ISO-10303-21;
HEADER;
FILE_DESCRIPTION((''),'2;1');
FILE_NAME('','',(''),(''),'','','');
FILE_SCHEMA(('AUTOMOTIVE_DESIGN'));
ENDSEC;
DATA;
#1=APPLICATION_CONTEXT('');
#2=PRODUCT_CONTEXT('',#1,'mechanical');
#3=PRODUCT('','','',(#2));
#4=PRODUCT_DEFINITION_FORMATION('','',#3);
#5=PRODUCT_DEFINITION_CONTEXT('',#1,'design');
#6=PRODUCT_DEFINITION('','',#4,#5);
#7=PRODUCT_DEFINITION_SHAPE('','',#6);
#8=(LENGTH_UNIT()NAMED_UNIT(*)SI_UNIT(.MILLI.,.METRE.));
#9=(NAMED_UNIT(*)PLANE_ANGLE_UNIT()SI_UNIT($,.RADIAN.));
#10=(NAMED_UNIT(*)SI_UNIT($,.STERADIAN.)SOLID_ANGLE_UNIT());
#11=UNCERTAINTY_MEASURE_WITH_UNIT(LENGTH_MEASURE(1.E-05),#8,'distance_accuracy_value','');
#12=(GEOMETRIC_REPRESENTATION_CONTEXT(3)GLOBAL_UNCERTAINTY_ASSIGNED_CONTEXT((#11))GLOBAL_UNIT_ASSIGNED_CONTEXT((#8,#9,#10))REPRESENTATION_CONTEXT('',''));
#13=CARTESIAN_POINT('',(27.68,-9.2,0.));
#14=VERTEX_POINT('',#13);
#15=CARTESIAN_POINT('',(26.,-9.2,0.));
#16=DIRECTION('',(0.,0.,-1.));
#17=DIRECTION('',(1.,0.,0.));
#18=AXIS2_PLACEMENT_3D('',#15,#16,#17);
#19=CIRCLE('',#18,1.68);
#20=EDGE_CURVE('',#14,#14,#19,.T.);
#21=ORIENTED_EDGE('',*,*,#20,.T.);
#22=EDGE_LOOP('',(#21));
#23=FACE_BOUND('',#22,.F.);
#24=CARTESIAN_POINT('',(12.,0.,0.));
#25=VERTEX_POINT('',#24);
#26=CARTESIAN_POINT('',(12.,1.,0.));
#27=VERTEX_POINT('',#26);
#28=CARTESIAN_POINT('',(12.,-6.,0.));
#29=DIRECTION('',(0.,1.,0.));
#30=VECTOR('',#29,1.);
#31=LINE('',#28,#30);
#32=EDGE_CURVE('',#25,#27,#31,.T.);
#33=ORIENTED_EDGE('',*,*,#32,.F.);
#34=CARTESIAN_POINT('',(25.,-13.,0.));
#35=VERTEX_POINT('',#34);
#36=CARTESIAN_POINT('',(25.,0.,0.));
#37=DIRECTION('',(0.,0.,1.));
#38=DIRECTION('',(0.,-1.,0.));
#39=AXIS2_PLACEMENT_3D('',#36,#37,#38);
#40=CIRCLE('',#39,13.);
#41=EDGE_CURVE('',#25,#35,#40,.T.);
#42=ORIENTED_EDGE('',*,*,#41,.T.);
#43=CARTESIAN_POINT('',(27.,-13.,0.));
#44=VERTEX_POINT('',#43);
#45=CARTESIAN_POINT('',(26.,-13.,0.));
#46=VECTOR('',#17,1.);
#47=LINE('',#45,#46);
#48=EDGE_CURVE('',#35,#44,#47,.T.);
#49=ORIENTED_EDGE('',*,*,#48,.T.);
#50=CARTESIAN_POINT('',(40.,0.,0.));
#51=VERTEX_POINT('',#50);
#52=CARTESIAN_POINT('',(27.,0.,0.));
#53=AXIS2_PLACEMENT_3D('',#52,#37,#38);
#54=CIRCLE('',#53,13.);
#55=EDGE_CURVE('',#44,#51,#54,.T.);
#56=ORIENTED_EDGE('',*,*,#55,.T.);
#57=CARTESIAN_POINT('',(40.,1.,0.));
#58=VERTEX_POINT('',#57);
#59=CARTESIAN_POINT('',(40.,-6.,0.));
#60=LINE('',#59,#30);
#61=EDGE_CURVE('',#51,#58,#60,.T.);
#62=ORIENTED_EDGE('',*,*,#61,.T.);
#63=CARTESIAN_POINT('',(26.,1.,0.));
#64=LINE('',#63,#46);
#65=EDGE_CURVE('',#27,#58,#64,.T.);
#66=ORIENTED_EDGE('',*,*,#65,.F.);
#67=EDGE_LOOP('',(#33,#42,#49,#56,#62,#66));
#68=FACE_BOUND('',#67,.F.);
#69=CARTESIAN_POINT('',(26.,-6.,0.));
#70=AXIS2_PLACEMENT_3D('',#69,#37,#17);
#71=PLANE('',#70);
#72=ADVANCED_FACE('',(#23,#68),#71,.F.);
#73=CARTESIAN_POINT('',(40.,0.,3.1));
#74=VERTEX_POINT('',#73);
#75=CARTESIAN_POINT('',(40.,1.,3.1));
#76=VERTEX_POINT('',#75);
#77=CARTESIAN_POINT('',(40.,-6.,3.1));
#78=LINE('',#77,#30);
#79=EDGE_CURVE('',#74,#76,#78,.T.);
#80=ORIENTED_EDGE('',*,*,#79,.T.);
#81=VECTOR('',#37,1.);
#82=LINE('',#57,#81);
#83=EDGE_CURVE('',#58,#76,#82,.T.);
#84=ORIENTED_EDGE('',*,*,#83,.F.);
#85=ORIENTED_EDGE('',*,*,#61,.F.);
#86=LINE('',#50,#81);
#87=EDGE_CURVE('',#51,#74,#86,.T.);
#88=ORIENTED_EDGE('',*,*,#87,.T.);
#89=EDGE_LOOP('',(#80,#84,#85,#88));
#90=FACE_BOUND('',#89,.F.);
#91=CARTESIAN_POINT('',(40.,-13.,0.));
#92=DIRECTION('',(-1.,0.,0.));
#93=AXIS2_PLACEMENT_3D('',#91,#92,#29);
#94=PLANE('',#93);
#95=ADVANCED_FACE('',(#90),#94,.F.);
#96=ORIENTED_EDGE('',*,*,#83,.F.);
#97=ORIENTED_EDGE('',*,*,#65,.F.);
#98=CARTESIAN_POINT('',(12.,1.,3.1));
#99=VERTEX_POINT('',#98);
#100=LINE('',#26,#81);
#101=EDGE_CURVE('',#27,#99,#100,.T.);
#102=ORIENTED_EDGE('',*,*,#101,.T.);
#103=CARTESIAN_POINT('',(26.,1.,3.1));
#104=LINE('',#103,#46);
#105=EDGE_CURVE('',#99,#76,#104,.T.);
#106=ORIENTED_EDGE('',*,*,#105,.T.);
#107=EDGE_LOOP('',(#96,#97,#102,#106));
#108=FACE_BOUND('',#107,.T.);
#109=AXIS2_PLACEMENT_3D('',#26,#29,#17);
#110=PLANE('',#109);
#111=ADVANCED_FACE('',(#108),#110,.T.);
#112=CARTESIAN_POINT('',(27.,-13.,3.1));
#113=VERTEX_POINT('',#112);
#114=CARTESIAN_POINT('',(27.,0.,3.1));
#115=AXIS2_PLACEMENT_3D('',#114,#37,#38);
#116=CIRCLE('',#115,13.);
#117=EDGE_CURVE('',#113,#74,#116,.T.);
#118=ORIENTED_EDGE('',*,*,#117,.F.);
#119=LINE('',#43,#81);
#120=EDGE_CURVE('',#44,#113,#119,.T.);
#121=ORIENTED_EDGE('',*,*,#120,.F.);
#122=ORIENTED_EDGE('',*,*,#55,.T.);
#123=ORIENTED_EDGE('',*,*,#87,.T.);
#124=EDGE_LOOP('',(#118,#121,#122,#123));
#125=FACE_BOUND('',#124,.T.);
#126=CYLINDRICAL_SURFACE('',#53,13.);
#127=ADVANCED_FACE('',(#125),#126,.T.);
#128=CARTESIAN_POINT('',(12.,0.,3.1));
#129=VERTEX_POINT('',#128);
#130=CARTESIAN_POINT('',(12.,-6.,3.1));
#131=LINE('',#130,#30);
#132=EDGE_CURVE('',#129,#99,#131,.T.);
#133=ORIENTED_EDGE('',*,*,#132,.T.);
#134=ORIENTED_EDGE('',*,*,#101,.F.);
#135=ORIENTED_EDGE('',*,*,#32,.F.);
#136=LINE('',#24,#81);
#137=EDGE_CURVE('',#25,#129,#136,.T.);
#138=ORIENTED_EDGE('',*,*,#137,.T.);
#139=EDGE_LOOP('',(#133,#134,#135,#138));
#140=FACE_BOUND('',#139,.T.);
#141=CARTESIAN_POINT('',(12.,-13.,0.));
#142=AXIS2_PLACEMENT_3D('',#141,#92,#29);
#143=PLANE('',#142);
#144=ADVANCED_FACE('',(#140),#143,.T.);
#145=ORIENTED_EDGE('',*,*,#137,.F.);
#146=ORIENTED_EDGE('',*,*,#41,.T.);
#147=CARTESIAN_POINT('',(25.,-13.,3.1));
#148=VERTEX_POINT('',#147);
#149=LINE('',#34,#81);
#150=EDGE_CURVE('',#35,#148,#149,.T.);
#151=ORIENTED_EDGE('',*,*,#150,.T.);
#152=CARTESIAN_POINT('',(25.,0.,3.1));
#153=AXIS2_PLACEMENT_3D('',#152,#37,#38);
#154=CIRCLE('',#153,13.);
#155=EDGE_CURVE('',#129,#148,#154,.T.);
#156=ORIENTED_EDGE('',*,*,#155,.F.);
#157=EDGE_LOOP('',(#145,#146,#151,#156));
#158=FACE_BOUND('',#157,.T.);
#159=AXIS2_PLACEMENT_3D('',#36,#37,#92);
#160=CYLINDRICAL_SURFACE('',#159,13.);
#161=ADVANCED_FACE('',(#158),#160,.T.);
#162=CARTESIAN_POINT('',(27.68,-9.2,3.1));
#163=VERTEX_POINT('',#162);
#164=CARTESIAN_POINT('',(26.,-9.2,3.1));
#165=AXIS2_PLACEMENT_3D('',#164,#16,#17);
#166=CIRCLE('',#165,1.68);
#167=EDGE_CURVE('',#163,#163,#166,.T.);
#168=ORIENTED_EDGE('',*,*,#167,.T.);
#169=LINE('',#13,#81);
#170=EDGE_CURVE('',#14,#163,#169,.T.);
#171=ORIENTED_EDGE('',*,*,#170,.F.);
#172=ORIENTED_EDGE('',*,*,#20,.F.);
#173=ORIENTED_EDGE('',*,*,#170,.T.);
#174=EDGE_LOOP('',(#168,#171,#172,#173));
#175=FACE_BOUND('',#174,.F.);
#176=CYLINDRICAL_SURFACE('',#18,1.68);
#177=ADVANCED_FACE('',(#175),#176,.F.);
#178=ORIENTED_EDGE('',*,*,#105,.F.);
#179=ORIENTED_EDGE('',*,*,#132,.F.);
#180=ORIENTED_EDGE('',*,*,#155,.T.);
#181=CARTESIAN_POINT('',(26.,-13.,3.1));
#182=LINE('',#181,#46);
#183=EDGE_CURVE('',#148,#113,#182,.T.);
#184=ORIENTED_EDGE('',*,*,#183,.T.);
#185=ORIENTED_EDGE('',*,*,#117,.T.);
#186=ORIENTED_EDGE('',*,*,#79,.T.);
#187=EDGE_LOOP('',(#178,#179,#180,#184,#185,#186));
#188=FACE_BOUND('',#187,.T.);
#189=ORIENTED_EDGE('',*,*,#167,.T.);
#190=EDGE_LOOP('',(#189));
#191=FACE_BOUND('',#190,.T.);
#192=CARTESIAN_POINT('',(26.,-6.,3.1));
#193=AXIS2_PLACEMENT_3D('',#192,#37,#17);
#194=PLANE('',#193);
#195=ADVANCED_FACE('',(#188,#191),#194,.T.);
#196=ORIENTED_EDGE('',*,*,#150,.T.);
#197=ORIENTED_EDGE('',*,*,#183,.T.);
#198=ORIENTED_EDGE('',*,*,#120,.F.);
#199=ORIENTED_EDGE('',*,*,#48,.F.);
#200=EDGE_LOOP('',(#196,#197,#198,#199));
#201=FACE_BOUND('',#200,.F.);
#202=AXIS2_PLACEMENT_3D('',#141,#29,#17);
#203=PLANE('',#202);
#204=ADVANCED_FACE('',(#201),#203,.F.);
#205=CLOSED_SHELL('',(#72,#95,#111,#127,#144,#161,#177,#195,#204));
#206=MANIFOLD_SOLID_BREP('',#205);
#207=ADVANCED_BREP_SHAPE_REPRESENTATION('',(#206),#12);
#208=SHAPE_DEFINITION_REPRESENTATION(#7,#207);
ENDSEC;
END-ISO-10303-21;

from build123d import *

# Parameters (mm, degrees)
BOX002_W        = 28
BOX002_H        = 14
BOX002_DEPTH    = 3.1
SKETCH017_R     = 1.68
POCKET009_DEPTH = 5
FILLET003_R     = 13


with BuildPart() as part:
    # Box002 → Box002 (new body)
    with BuildSketch(Plane(origin=(12, -13, 0), x_dir=(1, 0, 0), z_dir=(0, 0, 1))):
        with Locations((14, 7)):
            Rectangle(BOX002_W, BOX002_H)
    extrude(amount=BOX002_DEPTH)

    # Sketch017 → Pocket009 (cut)
    with BuildSketch(Plane(origin=(12, -13, 0), x_dir=(1, 0, 0), z_dir=(0, 0, -1))):
        with Locations((14, -3.8)):
            Circle(SKETCH017_R)
    extrude(amount=-POCKET009_DEPTH, mode=Mode.SUBTRACT)

    # Fillet003
    fillet003_edges = [part.edges().sort_by_distance(p)[0] for p in [
        (40, -13, 1.55),
        (12, -13, 1.55),
    ]]
    fillet(fillet003_edges, radius=FILLET003_R)


solid = part.part
